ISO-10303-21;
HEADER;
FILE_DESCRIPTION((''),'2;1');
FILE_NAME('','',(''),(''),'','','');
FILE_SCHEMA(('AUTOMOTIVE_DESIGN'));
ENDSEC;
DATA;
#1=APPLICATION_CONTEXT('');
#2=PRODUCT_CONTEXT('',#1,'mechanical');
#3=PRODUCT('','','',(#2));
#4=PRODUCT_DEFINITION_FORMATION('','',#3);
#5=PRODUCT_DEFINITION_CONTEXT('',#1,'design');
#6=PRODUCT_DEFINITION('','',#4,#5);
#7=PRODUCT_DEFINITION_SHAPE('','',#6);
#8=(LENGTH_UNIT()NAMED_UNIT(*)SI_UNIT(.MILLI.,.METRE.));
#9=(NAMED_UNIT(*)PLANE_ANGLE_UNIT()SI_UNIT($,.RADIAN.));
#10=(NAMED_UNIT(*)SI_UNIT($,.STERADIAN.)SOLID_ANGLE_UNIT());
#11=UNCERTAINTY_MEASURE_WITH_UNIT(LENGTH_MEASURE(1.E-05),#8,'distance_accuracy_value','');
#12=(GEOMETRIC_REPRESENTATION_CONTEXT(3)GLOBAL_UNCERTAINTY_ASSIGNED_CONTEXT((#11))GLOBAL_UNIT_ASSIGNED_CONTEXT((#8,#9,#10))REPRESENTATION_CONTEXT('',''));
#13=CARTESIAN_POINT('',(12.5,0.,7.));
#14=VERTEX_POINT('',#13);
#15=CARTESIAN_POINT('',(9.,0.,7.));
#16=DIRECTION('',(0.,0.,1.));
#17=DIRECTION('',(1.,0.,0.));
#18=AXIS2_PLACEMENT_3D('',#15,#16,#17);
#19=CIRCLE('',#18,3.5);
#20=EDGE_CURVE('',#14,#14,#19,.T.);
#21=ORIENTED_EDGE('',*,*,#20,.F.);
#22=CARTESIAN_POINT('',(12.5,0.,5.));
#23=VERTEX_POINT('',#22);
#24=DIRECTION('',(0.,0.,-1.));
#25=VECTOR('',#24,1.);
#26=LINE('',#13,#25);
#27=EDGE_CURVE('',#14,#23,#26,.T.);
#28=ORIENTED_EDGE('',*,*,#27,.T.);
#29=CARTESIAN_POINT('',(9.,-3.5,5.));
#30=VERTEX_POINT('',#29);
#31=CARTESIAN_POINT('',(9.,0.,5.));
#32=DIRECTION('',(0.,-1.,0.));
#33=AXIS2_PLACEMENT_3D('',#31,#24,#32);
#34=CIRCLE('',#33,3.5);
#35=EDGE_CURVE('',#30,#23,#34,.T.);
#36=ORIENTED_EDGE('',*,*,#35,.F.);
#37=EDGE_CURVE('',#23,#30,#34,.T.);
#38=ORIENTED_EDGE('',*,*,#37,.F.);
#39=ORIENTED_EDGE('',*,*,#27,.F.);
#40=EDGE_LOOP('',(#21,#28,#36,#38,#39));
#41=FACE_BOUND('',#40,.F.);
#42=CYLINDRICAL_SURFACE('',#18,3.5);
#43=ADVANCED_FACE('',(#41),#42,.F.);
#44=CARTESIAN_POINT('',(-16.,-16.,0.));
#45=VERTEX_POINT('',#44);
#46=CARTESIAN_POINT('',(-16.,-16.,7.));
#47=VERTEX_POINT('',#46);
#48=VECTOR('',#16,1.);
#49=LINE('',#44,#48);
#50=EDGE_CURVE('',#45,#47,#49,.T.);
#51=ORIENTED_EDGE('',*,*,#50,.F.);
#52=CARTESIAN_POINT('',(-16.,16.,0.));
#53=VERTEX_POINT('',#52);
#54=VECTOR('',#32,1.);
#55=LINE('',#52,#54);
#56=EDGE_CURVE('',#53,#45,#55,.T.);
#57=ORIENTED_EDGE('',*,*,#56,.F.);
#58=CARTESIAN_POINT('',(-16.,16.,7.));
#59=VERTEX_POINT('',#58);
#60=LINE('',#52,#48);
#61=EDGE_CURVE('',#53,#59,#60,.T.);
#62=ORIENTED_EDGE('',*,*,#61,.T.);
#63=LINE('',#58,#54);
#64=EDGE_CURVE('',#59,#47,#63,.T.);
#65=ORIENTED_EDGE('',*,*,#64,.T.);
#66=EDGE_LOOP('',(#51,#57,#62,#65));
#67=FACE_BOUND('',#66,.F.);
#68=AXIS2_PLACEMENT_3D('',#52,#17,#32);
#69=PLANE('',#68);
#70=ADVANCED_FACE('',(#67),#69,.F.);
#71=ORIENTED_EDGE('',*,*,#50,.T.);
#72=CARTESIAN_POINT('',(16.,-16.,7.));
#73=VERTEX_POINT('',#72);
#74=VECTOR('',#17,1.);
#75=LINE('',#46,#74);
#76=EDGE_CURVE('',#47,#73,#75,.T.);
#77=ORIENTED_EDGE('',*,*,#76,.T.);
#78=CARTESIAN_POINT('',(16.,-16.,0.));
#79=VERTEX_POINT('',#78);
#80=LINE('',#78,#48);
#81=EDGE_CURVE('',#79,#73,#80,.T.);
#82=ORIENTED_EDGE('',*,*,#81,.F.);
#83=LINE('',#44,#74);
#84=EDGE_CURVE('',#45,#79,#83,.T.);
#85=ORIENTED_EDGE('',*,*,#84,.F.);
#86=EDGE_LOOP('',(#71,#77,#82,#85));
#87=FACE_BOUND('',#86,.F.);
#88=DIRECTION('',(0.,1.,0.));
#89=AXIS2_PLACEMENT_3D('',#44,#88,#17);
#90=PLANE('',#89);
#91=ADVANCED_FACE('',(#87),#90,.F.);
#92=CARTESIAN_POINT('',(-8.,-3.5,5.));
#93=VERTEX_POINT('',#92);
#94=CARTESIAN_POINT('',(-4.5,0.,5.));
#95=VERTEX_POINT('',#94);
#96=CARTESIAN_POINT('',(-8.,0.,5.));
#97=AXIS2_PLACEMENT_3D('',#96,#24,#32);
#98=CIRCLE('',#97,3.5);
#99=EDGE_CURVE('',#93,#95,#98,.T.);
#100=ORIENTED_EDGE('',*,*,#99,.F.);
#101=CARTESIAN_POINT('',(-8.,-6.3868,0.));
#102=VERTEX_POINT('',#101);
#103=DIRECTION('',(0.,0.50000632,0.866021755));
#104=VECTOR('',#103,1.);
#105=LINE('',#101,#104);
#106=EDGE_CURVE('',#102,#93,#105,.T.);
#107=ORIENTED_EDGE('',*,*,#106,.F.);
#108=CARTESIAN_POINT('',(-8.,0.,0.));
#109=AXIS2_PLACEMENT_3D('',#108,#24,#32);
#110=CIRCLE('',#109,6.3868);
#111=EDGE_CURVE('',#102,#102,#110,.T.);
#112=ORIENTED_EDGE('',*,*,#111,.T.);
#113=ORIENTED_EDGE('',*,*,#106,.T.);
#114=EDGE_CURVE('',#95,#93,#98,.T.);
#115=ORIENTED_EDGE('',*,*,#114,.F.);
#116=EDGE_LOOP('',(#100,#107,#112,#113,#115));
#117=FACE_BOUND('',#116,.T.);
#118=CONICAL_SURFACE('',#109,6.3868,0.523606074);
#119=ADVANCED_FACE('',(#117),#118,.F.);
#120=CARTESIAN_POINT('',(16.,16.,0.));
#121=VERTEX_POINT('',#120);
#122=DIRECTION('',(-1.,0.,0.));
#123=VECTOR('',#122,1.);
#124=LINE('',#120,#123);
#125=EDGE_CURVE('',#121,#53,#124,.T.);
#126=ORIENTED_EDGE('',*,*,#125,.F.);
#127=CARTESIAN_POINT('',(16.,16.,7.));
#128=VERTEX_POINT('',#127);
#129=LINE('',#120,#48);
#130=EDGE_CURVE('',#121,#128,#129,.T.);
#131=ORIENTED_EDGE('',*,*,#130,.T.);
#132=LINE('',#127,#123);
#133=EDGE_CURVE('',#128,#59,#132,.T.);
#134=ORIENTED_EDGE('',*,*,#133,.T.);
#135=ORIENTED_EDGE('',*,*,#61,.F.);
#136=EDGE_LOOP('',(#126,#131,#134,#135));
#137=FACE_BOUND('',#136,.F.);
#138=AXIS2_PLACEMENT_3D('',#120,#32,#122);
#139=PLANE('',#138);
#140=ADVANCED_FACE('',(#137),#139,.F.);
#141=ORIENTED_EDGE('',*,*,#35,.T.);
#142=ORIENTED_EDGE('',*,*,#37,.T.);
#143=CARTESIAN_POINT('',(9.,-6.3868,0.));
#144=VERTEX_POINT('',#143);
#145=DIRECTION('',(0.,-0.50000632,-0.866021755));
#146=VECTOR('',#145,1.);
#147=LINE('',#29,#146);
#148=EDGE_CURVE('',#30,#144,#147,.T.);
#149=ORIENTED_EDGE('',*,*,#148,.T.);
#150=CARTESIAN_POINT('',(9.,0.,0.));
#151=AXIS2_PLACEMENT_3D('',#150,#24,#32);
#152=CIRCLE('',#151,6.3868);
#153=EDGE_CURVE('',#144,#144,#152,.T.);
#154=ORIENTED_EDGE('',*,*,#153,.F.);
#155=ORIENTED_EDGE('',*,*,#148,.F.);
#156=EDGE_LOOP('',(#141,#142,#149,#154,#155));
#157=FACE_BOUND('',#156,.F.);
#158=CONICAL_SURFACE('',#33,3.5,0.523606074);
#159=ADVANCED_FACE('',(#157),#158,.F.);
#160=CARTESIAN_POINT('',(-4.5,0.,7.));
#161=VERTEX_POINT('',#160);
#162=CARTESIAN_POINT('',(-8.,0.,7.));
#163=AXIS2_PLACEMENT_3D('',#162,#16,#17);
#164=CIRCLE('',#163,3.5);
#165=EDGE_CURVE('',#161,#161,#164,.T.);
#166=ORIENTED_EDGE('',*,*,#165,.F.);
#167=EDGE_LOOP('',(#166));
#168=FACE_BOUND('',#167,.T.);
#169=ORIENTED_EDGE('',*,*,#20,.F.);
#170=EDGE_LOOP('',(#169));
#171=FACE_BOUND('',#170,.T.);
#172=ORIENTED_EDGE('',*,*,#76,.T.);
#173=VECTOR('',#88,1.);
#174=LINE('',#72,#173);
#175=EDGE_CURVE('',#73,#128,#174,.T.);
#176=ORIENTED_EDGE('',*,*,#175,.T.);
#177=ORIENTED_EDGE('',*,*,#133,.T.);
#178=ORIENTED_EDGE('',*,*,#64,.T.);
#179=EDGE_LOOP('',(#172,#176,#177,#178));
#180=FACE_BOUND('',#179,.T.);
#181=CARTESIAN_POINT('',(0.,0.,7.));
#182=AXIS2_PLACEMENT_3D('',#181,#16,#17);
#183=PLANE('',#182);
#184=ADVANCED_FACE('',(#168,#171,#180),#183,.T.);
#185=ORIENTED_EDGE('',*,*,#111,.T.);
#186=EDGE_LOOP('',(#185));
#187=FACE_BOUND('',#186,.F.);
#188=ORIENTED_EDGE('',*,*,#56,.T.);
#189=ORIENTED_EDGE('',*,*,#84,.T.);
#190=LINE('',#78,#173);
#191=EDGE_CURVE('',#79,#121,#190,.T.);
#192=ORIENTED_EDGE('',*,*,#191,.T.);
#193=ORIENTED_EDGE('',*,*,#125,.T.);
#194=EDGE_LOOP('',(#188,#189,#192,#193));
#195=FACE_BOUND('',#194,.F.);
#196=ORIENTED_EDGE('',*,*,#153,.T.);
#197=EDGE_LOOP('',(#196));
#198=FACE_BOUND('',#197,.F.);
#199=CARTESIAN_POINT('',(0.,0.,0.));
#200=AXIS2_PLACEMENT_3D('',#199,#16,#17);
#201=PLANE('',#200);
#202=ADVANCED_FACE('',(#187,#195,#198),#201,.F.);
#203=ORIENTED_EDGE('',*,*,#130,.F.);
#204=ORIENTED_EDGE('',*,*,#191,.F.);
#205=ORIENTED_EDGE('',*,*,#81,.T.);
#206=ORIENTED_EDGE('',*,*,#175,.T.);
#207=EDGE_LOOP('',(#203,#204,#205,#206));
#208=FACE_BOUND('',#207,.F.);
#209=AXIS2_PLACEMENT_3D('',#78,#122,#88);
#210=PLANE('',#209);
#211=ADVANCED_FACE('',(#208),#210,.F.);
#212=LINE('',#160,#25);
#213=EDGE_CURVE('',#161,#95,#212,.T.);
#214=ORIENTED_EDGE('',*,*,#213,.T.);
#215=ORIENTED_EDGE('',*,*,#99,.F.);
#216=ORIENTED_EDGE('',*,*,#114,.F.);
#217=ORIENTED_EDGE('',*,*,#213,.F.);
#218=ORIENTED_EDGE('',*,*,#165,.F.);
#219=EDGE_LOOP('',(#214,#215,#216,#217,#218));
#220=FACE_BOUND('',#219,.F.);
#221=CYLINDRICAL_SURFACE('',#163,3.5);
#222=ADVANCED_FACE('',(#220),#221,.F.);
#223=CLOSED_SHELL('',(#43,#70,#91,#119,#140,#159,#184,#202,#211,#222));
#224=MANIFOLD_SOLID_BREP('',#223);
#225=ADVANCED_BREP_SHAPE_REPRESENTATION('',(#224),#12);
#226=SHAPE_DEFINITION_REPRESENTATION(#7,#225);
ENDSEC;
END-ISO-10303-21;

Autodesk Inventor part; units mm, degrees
ref_plane "YZ Plane" through (0, 0, 0) normal (1, 0, 0) x (0, 1, 0)
ref_plane "XZ Plane" through (0, 0, 0) normal (0, 1, 0) x (-1, 0, 0)
ref_plane "XY Plane" through (0, 0, 0) normal (0, 0, 1) x (1, 0, 0)
sketch "Sketch1" plane through (0, 0, 0) normal (0, 0, 1) x (1, 0, 0)
  line L0 (-16, -16) -> (16, -16)
  line L1 (16, -16) -> (16, 16)
  line L2 (16, 16) -> (-16, 16)
  line L3 (-16, 16) -> (-16, -16)
  line L4 (-16, -16) -> (16, 16) construction
  line L5 (16, -16) -> (-16, 16) construction
  circle A0 centre (-8, 0) radius 3.1981 construction
  point P0 (0, 0)
  dimension "d0" = 32
  dimension "d1" = 32
  dimension "d3" = 8
extrude "Extrusion1" add sketch "Sketch1" along normal blind 7
sketch "Sketch2" plane through (0, 0, 7) normal (0, 0, 1) x (1, 0, 0)
  circle A0 centre (-8, 0) radius 3.5
  line L0 (-16, 16) -> (-16, -16) projected
  circle A1 centre (9, 0) radius 3.5
  line L1 (16, -16) -> (16, 16) projected
  point P0 (0, 0)
  dimension "d6" = 7
  dimension "d7" = 8
  dimension "d8" = 7
  dimension "d9" = 7
extrude "Extrusion2" cut sketch "Sketch2" against normal blind 7
ref_plane "Work Plane1" through (9, 0, 7) normal (1, 0, 0) x (0, 0, -1)
sketch "Sketch3" plane through (9, 0, 7) normal (1, 0, 0) x (0, 0, -1)
  line L0 (0, 3.5) -> (7, 3.5) construction
  line L1 (0, 3.5) -> (2, 3.5) construction
  line L2 (2, 3.5) -> (2, -3.5)
  line L3 (0, -3.5) -> (7, -3.5) projected
  line L4 (2, -3.5) -> (7, -6.3868)
  line L5 (2, -3.5) -> (7.7735, -3.5) construction
  line L6 (2, 3.5) -> (7, 6.3868)
  line L7 (7, 16) -> (7, -16) projected
  line L8 (2, 3.5) -> (7.7735, 3.5) construction
  line L9 (7, 6.3868) -> (7, -6.3868)
  line L10 (-1.5547, 0) -> (9.3282, 0) projected
  point P0 (7, 0)
  dimension "d13" = 2
  dimension "d14" = 30
  dimension "d15" = 30
revolve "Revolution1" cut sketch "Sketch3" angle 360 about axis through (9, 0, 7) along (0, 0, -1) contours L3 L7 L4
ref_plane "Work Plane2" through (-8, 0, 7) normal (1, 0, 0) x (0, 0, -1)
sketch "Sketch4" plane through (-8, 0, 7) normal (1, 0, 0) x (0, 0, -1)
  line L0 (7, -6.3868) -> (2, -3.5) projected
  line L1 (2, -3.5) -> (7, -6.3868)
  line L2 (7, 16) -> (7, -16) projected
  line L3 (7, -3.5) -> (2, -3.5)
  line L4 (-1.4, 0) -> (8.4, 0) projected
  point P0 (7, 0)
revolve "Revolution2" cut sketch "Sketch4" angle 360 about axis through (-8, 0, 7) along (0, 0, -1)
properties material "Steel, Galvanized"
